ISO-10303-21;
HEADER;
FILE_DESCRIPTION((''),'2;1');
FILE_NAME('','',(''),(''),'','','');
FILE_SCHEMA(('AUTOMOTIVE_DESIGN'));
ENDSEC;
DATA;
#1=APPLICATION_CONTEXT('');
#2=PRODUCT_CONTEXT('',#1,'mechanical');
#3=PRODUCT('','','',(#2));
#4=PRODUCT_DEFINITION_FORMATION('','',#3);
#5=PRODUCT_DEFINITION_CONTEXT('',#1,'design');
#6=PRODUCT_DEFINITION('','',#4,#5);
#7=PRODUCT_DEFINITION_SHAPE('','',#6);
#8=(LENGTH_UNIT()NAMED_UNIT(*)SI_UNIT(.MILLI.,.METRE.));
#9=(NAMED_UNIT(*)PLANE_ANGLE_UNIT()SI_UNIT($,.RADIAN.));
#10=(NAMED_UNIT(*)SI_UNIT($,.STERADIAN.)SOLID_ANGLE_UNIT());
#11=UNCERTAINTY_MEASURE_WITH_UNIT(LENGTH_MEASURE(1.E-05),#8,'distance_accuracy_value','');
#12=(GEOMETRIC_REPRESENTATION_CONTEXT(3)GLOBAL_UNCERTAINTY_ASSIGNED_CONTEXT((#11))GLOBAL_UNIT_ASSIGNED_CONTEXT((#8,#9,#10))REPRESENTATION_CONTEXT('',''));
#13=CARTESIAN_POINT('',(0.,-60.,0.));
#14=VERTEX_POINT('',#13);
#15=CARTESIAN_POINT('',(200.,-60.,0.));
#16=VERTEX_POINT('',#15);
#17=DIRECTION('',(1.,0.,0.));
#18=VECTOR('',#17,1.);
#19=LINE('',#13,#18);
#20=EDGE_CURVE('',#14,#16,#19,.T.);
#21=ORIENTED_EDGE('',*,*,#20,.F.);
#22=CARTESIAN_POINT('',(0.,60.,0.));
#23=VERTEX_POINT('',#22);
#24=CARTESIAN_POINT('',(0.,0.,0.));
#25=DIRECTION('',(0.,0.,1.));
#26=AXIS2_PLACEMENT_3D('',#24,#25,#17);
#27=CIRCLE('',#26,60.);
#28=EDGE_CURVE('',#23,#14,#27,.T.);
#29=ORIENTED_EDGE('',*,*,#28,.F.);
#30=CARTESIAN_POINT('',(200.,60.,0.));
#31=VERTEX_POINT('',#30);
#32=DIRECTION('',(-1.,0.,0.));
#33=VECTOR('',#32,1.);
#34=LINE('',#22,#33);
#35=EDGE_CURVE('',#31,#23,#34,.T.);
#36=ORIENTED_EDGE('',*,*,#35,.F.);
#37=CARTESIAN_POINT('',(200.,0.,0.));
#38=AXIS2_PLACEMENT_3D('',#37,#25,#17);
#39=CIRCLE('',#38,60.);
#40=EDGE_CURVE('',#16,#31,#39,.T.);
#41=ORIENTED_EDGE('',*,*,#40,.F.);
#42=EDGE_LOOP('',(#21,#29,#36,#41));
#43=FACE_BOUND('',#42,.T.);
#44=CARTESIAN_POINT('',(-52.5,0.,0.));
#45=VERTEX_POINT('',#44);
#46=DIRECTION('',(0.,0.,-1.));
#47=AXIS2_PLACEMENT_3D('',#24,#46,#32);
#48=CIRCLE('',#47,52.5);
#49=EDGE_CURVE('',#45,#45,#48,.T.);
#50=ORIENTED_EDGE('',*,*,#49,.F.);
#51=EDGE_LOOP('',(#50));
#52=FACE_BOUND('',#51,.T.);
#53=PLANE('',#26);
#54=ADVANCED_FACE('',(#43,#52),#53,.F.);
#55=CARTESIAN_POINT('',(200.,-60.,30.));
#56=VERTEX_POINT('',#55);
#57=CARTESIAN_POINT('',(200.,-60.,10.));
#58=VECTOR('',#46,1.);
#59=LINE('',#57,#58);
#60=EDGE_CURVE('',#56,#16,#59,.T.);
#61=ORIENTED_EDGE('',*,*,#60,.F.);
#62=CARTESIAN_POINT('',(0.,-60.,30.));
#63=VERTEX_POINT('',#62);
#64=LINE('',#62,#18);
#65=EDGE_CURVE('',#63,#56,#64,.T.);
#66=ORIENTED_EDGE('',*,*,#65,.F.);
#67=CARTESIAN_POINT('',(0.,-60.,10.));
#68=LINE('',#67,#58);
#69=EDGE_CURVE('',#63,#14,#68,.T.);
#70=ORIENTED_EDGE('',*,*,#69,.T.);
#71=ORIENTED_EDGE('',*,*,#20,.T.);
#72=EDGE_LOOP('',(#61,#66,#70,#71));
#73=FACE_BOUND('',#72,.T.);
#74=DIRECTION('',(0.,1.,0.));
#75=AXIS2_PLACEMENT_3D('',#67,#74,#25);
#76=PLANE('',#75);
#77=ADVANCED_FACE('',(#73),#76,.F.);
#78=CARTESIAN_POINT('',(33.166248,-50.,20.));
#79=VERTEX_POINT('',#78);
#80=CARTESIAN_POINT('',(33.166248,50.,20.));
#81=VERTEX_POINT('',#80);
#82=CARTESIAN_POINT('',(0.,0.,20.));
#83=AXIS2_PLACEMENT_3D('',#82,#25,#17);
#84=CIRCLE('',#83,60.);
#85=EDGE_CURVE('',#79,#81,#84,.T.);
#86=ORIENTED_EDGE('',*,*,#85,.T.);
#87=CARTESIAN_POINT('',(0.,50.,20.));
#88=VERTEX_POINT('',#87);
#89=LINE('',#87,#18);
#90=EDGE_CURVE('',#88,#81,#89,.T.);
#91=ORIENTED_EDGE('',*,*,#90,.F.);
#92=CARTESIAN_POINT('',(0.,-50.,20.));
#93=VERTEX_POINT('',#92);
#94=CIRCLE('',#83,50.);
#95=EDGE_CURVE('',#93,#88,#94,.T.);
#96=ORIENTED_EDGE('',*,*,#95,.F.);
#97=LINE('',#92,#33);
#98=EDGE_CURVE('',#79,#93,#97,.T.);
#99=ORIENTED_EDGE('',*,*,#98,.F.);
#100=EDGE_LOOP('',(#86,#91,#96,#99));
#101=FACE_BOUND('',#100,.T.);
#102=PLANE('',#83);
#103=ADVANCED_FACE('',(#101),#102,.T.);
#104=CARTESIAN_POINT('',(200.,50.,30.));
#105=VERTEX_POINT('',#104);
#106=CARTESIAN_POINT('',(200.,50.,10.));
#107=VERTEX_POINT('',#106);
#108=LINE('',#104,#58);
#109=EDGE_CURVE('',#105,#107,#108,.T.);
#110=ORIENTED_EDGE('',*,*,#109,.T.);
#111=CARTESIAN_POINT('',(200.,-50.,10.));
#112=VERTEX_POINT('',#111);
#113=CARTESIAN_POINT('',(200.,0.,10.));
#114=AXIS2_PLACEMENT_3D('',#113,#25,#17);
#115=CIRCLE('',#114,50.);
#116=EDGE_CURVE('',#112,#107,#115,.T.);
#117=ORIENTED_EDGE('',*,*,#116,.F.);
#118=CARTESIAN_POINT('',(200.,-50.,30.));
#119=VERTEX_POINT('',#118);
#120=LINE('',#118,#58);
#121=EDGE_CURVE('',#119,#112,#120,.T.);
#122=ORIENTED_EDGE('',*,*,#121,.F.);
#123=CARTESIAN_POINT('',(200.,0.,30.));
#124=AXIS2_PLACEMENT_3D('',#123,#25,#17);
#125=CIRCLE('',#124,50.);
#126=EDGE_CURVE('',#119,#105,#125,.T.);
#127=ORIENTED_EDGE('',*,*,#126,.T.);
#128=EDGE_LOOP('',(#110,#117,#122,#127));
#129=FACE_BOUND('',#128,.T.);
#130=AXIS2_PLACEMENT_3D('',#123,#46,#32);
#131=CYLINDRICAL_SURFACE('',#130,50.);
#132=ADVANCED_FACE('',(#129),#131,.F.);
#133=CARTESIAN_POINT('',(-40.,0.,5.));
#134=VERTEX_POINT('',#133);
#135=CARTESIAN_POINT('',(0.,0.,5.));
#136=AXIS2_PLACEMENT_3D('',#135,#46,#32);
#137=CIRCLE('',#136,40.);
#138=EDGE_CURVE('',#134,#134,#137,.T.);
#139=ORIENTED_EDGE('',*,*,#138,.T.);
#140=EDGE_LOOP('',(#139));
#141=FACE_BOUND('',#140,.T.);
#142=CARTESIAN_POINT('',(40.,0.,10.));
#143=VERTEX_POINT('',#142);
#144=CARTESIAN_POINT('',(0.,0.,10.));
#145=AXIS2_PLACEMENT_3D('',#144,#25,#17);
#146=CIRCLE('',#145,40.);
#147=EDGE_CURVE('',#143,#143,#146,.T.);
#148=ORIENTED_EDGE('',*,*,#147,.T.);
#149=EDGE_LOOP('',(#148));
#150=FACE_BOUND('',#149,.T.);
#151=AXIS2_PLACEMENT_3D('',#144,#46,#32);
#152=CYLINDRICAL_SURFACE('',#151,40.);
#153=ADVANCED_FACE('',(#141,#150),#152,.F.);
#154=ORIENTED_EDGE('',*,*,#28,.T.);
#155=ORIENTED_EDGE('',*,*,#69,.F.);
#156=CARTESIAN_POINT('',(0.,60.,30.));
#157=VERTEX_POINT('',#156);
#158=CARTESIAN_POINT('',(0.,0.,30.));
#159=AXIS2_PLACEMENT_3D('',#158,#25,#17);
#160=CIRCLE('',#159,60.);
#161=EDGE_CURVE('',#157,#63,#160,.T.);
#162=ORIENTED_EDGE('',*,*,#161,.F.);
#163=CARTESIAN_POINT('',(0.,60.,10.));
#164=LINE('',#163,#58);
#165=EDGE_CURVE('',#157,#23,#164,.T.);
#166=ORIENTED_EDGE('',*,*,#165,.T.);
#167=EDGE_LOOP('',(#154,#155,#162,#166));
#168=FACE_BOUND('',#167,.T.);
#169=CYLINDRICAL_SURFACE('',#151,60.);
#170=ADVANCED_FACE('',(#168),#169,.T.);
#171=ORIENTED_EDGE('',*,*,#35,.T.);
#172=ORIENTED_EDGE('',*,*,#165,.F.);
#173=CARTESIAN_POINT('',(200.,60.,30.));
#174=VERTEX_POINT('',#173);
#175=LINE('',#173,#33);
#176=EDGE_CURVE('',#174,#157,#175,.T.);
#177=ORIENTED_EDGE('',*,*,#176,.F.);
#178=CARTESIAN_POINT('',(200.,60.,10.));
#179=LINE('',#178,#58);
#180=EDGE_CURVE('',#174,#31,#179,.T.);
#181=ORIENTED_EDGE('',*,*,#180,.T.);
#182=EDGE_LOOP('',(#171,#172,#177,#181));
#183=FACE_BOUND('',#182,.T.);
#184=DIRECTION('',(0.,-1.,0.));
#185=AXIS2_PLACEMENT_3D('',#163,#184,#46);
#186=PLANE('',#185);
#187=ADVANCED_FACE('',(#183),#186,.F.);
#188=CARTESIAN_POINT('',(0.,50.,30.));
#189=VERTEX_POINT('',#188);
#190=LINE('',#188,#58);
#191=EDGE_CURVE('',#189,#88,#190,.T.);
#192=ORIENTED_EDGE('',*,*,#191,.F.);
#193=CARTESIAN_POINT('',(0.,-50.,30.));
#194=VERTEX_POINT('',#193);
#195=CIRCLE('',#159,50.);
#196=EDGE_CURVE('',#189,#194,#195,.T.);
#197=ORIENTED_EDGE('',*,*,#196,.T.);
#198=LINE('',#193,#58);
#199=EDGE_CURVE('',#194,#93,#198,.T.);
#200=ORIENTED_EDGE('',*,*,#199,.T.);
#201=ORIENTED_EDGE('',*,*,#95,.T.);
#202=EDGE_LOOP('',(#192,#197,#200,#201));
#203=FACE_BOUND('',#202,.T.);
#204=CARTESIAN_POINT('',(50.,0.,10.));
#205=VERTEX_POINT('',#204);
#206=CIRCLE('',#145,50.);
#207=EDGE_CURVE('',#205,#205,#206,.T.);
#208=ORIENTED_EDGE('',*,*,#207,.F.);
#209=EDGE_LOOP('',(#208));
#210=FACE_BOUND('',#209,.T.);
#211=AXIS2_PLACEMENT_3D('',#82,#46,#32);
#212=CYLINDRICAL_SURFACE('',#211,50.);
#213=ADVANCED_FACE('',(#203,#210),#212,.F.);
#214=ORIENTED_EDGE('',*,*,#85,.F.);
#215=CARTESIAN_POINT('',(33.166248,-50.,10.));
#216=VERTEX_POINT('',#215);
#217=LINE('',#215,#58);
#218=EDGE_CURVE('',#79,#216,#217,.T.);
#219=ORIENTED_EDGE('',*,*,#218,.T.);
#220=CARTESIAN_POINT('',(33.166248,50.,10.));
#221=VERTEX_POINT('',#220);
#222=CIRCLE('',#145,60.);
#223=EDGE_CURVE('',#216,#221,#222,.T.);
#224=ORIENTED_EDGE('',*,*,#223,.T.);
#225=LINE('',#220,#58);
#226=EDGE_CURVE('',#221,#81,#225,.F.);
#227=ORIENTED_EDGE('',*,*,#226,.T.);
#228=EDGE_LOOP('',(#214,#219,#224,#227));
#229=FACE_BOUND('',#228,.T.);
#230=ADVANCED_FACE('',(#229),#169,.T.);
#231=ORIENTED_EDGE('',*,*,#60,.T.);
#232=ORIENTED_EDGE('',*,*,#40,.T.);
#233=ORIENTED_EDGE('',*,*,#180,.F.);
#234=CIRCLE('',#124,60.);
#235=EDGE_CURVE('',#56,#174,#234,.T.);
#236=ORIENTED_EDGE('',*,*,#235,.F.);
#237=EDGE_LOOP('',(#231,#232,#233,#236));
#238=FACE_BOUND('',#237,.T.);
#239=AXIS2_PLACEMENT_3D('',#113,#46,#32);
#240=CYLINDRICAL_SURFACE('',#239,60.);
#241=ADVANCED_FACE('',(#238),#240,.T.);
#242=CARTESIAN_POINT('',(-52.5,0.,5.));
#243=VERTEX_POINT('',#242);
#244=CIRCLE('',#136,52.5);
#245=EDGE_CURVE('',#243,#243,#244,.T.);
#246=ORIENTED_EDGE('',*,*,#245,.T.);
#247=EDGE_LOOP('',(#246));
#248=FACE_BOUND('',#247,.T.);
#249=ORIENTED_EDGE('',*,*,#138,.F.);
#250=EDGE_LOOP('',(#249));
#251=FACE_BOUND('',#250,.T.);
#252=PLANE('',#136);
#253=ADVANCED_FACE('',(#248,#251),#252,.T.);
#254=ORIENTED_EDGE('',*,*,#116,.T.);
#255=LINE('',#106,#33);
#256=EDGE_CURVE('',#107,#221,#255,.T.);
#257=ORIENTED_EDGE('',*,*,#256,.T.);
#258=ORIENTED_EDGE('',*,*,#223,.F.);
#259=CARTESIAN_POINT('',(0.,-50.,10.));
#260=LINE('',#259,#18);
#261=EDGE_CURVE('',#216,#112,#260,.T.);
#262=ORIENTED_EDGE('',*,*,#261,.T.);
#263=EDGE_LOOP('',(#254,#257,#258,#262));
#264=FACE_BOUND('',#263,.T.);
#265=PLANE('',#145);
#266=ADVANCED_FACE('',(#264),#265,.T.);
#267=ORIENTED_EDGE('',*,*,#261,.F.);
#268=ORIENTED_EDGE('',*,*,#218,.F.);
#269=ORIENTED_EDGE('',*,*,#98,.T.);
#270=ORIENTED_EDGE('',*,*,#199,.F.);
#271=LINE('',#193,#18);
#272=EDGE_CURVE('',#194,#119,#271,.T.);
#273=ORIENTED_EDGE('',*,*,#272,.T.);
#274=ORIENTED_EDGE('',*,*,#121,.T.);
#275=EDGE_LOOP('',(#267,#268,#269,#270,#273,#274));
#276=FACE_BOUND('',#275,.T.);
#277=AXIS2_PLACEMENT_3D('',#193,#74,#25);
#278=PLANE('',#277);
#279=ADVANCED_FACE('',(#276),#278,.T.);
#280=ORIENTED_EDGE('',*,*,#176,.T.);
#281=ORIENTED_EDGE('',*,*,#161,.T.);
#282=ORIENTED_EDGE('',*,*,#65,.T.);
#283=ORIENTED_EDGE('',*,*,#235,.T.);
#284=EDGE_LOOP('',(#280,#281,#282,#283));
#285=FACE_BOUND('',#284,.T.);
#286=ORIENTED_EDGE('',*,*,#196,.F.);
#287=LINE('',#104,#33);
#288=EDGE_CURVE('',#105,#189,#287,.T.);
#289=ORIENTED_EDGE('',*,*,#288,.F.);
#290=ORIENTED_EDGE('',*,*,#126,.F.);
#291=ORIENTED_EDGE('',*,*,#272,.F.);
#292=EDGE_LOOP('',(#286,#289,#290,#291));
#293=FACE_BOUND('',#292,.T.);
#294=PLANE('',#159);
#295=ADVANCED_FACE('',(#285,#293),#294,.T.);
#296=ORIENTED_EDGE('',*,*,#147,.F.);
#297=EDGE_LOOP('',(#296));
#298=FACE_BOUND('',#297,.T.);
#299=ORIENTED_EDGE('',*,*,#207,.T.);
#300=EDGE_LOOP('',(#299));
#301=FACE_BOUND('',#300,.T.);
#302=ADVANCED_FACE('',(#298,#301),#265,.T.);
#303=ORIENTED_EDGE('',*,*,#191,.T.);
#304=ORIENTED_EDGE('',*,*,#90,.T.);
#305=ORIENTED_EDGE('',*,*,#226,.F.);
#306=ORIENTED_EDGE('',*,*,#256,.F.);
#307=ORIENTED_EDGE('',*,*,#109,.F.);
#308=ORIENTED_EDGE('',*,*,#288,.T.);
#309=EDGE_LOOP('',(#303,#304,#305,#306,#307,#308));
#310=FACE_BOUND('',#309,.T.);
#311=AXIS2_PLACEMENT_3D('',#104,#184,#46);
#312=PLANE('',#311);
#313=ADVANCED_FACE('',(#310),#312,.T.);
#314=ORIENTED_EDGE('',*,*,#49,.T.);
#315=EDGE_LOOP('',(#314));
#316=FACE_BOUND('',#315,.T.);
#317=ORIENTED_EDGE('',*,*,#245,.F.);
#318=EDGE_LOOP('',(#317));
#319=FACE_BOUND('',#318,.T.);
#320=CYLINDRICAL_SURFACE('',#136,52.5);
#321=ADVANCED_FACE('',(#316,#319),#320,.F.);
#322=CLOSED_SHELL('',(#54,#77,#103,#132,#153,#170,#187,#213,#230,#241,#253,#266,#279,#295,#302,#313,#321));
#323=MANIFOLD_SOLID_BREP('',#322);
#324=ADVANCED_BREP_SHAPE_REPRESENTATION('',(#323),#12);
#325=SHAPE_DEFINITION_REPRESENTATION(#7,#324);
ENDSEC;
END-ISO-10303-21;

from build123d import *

# Parameters (mm, degrees)
SKETCH1_R           = 40
BOSS_EXTRUDE1_DEPTH = 10
SKETCH2_R           = 52.5
CUT_EXTRUDE1_DEPTH  = 5
SKETCH3_R           = 50
BOSS_EXTRUDE2_DEPTH = 10
BOSS_EXTRUDE3_DEPTH = 20


with BuildPart() as part:
    # Sketch1 → Boss-Extrude1 (new body)
    with BuildSketch(Plane.XY):
        with BuildLine():
            Line((0, 60), (200, 60))
            ThreePointArc((200, 60), (260, 0), (200, -60))
            Line((200, -60), (0, -60))
            ThreePointArc((0, -60), (-60, 0), (0, 60))
        make_face()
        Circle(SKETCH1_R, mode=Mode.SUBTRACT)
    extrude(amount=BOSS_EXTRUDE1_DEPTH)

    # Sketch2 → Cut-Extrude1 (cut)
    with BuildSketch(Plane(origin=(0, 0, 0), x_dir=(-1, 0, 0), z_dir=(0, 0, -1))):
        Circle(SKETCH2_R)
    extrude(amount=-CUT_EXTRUDE1_DEPTH, mode=Mode.SUBTRACT)

    # Sketch3 → Boss-Extrude2 (add)
    with BuildSketch(Plane.XY.offset(10)):
        with BuildLine():
            ThreePointArc((0, -60), (42.426406871, -42.426406871), (60, 0))
            ThreePointArc((60, 0), (42.426406871, 42.426406871), (0, 60))
            ThreePointArc((0, 60), (-60, 0), (0, -60))
        make_face()
        Circle(SKETCH3_R, mode=Mode.SUBTRACT)
    extrude(amount=BOSS_EXTRUDE2_DEPTH)

    # Sketch4 → Boss-Extrude3 (add)
    with BuildSketch(Plane.XY.offset(10)):
        with BuildLine():
            Line((0, -60), (200, -60))
            ThreePointArc((200, -60), (260, 0), (200, 60))
            Line((200, 60), (0, 60))
            ThreePointArc((0, 60), (-60, 0), (0, -60))
        make_face()
        with BuildLine():
            Line((200, 50), (0, 50))
            ThreePointArc((0, 50), (-50, 0), (0, -50))
            Line((0, -50), (200, -50))
            ThreePointArc((200, -50), (250, 0), (200, 50))
        make_face(mode=Mode.SUBTRACT)
    extrude(amount=BOSS_EXTRUDE3_DEPTH)


solid = part.part
